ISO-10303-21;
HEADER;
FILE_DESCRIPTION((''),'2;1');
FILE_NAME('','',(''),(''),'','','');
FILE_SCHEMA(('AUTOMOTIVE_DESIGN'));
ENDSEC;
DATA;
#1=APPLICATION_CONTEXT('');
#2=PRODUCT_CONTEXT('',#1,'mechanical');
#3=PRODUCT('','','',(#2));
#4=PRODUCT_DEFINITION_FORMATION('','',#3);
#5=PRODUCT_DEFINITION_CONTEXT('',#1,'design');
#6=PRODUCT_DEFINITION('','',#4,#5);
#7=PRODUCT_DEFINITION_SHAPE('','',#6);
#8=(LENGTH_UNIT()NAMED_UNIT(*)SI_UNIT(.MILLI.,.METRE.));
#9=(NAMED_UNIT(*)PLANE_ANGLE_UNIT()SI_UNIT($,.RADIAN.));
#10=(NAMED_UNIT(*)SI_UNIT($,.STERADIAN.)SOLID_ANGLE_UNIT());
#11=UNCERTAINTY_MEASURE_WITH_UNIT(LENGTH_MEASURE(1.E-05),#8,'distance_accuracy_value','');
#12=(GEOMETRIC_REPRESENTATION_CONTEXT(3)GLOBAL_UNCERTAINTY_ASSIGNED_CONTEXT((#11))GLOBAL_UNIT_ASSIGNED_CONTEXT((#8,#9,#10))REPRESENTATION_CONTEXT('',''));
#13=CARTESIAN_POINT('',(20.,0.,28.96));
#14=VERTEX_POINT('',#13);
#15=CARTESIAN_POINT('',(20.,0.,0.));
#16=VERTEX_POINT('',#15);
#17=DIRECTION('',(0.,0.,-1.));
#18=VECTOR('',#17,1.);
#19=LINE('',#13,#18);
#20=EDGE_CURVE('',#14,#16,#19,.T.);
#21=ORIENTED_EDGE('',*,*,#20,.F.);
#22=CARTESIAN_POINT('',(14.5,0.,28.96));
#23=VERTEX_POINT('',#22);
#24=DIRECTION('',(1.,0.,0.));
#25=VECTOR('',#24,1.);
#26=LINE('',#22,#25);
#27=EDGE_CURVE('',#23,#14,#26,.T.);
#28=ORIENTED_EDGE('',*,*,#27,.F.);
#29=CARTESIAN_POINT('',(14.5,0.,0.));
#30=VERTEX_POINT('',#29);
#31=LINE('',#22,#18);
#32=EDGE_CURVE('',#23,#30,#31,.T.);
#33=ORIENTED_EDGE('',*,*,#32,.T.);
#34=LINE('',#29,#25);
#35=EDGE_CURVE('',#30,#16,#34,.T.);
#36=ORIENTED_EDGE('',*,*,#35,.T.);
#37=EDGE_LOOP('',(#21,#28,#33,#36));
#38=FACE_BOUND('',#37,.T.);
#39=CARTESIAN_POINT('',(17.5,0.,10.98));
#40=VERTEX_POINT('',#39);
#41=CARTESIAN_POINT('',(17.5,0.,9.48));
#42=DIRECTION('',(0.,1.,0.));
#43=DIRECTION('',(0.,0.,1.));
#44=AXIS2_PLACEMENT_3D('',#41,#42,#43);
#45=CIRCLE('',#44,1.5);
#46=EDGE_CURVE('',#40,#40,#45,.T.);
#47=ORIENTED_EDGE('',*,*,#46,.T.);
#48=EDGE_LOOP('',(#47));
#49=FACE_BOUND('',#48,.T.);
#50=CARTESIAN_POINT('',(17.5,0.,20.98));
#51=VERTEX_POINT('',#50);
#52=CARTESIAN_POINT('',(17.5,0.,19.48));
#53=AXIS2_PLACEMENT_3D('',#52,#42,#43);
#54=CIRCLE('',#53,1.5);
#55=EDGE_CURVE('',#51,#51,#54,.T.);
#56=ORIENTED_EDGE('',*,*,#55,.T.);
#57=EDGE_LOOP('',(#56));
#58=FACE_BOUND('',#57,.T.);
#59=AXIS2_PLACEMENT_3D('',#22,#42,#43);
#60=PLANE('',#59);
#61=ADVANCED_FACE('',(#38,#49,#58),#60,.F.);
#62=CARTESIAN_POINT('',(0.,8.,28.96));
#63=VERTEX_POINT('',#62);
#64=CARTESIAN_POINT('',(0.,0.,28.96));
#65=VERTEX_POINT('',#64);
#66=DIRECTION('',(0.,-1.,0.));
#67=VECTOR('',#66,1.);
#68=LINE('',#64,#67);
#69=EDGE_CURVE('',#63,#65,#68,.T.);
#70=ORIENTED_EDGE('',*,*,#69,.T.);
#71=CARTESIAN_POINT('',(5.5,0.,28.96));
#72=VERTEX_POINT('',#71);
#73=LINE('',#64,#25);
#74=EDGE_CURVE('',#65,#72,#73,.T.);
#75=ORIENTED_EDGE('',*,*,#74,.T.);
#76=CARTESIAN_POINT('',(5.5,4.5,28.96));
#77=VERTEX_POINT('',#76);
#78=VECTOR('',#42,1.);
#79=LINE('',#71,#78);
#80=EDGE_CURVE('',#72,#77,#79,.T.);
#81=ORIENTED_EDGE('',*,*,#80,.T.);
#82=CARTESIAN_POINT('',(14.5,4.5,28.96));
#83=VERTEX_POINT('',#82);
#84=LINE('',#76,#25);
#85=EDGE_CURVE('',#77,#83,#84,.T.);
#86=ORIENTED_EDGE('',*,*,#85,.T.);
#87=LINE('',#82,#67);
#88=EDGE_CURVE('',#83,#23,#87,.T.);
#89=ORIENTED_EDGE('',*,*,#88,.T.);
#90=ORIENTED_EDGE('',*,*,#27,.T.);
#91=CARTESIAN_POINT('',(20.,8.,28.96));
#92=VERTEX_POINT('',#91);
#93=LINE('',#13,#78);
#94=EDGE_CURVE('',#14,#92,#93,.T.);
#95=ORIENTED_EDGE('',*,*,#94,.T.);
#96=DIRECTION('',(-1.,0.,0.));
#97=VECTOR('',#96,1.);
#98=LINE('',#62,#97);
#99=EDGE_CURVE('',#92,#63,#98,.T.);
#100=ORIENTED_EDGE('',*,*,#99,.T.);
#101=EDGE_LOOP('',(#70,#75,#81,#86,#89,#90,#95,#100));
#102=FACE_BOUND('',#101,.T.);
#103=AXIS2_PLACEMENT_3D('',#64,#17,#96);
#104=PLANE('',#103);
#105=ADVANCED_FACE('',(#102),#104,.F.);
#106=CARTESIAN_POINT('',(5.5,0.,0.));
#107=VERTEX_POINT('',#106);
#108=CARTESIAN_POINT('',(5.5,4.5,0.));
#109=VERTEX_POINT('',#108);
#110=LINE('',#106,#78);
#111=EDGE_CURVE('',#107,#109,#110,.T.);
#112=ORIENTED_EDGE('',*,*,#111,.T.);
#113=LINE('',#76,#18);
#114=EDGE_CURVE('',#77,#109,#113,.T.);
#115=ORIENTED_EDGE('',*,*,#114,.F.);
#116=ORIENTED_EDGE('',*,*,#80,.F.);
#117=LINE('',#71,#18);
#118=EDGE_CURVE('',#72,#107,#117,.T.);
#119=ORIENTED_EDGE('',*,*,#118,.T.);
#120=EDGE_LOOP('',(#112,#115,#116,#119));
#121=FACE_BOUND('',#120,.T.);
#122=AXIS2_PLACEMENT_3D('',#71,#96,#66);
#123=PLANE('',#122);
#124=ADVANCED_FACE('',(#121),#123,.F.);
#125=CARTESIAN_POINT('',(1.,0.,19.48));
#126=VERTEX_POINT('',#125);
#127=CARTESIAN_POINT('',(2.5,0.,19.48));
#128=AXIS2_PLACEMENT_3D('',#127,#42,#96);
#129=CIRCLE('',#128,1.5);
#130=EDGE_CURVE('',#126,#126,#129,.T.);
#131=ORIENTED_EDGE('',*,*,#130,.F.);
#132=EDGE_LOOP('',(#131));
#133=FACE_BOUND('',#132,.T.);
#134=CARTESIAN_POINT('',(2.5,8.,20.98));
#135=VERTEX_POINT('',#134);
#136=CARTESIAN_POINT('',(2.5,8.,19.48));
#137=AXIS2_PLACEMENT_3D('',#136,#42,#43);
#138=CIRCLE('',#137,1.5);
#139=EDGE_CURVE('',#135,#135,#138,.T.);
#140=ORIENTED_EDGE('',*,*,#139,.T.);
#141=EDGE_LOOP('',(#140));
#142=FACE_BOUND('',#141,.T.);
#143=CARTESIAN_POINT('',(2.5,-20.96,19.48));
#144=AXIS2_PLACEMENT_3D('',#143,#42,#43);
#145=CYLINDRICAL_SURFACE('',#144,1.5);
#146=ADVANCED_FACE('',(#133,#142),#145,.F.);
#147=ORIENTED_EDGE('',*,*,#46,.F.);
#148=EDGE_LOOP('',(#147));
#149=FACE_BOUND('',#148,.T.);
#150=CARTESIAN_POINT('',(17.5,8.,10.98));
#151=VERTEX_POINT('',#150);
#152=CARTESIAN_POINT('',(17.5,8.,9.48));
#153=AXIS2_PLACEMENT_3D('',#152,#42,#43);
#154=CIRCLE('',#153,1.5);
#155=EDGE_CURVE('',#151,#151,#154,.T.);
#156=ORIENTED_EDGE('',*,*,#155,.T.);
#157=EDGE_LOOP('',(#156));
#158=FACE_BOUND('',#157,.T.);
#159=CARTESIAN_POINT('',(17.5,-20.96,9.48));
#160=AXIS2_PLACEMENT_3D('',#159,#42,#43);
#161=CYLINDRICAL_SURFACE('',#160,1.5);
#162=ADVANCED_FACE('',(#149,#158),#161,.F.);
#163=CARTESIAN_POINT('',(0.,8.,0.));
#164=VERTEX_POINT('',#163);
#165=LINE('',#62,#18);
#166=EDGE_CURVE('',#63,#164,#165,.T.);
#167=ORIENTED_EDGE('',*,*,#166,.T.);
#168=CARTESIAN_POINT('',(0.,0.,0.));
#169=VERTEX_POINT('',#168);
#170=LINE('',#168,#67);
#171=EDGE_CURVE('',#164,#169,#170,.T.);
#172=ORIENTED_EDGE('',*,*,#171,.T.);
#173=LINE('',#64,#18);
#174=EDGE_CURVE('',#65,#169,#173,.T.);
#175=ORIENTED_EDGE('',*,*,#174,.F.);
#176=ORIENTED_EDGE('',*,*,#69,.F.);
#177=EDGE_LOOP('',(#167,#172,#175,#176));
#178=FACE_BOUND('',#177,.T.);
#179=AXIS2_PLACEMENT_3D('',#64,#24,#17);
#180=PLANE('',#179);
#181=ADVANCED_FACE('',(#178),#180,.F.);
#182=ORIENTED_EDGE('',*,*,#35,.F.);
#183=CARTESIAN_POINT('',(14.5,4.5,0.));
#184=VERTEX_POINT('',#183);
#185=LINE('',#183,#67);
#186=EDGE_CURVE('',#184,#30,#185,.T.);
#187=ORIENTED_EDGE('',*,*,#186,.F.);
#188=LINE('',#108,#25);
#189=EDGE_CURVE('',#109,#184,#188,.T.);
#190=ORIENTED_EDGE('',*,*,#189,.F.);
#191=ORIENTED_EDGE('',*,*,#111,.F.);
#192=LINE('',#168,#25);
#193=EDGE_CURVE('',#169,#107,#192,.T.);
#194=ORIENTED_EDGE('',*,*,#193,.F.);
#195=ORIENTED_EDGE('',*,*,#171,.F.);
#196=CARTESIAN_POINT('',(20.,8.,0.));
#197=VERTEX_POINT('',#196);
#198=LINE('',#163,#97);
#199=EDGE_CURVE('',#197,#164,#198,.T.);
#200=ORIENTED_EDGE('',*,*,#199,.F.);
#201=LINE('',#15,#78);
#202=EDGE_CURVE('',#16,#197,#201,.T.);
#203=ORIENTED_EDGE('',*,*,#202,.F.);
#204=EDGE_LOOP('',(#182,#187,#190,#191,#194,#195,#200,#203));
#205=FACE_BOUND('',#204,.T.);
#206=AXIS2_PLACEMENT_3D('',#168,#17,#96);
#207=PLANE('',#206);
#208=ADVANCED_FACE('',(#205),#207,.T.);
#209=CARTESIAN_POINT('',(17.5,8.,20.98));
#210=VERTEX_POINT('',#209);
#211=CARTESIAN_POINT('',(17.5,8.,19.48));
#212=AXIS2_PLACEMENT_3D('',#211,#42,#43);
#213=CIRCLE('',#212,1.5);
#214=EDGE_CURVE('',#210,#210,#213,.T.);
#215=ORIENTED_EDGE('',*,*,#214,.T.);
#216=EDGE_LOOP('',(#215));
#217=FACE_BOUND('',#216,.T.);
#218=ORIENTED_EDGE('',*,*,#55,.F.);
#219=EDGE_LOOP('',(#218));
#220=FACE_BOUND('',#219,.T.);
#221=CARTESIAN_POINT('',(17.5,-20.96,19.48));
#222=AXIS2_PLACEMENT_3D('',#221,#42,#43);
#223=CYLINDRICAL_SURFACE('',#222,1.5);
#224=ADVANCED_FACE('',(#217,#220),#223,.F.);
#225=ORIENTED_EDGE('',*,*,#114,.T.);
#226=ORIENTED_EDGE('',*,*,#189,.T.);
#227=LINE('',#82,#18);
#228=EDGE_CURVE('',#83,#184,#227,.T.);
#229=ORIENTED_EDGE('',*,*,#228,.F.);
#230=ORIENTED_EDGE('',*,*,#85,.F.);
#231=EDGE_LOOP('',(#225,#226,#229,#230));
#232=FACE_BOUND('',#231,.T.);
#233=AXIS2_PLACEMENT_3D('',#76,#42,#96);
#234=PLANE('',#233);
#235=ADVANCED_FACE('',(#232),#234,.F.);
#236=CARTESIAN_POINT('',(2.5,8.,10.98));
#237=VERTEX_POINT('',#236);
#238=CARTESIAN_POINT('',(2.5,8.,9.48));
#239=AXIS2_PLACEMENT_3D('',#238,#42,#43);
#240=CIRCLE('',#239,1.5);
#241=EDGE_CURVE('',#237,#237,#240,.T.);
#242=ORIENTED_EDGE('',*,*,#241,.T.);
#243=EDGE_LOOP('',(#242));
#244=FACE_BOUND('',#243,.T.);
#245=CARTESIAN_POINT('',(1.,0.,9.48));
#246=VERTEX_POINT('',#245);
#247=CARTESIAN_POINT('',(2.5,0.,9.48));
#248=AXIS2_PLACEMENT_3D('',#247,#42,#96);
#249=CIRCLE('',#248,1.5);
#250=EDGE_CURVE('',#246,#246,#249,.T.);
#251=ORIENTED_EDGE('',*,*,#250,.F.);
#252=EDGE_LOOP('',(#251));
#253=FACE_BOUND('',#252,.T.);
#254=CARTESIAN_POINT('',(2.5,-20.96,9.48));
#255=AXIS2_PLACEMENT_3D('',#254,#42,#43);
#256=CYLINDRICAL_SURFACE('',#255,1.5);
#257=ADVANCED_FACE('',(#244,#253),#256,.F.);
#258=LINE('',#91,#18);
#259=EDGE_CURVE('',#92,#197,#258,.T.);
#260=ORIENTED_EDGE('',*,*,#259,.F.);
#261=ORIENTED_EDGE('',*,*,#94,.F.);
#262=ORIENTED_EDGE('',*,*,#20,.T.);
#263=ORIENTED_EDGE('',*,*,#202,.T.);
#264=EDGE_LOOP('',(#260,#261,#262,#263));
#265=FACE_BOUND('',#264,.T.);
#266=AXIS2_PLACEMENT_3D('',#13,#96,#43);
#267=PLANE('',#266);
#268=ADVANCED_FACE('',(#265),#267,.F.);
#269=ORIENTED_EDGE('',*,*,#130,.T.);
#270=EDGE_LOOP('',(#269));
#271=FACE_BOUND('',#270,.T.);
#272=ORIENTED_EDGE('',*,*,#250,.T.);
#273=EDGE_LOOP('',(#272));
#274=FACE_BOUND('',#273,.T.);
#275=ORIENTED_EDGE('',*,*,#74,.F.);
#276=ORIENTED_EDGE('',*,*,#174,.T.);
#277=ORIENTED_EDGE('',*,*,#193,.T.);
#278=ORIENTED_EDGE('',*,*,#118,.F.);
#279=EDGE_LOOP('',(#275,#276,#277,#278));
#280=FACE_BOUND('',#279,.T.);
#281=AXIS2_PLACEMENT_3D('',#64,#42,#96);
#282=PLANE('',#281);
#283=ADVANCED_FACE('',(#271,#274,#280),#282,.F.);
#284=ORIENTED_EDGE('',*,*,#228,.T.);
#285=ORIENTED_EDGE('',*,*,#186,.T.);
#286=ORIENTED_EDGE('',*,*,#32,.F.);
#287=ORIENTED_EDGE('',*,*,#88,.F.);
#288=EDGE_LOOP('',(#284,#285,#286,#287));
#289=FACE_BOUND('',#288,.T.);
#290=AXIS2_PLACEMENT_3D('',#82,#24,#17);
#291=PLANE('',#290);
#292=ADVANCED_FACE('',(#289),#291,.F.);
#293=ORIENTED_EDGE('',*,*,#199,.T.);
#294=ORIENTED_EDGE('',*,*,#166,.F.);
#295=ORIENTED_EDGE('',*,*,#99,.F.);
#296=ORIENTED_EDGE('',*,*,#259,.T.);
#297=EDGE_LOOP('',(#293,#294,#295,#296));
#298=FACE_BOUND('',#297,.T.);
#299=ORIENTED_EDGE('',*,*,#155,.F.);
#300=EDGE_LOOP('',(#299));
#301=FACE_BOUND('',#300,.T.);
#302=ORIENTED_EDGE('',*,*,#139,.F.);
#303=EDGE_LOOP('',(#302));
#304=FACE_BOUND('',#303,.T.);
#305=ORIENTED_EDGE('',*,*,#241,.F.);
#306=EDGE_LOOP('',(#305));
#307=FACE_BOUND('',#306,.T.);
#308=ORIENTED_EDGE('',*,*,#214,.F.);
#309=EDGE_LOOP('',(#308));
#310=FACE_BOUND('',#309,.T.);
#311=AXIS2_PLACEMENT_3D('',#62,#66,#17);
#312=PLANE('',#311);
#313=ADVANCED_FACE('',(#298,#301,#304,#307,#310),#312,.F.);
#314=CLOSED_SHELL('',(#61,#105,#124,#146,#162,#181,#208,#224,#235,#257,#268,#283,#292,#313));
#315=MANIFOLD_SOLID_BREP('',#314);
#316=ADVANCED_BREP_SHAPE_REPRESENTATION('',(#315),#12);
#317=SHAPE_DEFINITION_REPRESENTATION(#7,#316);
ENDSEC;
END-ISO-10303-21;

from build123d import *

# Parameters (mm, degrees)
EXTRUDE_1_DEPTH     = 28.96
SKETCH_2_R          = 1.5
CUT_EXTRUDE_1_DEPTH = 28.96


with BuildPart() as part:
    # 草图1 → 凸台-拉伸1 (new body)
    with BuildSketch(Plane.XY):
        Polygon((5.5, 0), (5.5, 4.5), (14.5, 4.5), (14.5, 0), (20, 0), (20, 8), (0, 8), (0, 0), align=None)
    extrude(amount=EXTRUDE_1_DEPTH)

    # 草图2 → 切除-拉伸1 (cut)
    with BuildSketch(Plane(origin=(0, 8, 0), x_dir=(1, 0, 0), z_dir=(0, 1, 0))):
        with Locations(Location((17.5, -9.48, 0), (0, 0, 270))):
            Circle(SKETCH_2_R)
        with Locations(Location((17.5, -19.48, 0), (0, 0, 270))):
            Circle(SKETCH_2_R)
        with Locations(Location((2.5, -19.48, 0), (0, 0, 270))):
            Circle(SKETCH_2_R)
        with Locations(Location((2.5, -9.48, 0), (0, 0, 270))):
            Circle(SKETCH_2_R)
    extrude(amount=-CUT_EXTRUDE_1_DEPTH, mode=Mode.SUBTRACT)


solid = part.part
